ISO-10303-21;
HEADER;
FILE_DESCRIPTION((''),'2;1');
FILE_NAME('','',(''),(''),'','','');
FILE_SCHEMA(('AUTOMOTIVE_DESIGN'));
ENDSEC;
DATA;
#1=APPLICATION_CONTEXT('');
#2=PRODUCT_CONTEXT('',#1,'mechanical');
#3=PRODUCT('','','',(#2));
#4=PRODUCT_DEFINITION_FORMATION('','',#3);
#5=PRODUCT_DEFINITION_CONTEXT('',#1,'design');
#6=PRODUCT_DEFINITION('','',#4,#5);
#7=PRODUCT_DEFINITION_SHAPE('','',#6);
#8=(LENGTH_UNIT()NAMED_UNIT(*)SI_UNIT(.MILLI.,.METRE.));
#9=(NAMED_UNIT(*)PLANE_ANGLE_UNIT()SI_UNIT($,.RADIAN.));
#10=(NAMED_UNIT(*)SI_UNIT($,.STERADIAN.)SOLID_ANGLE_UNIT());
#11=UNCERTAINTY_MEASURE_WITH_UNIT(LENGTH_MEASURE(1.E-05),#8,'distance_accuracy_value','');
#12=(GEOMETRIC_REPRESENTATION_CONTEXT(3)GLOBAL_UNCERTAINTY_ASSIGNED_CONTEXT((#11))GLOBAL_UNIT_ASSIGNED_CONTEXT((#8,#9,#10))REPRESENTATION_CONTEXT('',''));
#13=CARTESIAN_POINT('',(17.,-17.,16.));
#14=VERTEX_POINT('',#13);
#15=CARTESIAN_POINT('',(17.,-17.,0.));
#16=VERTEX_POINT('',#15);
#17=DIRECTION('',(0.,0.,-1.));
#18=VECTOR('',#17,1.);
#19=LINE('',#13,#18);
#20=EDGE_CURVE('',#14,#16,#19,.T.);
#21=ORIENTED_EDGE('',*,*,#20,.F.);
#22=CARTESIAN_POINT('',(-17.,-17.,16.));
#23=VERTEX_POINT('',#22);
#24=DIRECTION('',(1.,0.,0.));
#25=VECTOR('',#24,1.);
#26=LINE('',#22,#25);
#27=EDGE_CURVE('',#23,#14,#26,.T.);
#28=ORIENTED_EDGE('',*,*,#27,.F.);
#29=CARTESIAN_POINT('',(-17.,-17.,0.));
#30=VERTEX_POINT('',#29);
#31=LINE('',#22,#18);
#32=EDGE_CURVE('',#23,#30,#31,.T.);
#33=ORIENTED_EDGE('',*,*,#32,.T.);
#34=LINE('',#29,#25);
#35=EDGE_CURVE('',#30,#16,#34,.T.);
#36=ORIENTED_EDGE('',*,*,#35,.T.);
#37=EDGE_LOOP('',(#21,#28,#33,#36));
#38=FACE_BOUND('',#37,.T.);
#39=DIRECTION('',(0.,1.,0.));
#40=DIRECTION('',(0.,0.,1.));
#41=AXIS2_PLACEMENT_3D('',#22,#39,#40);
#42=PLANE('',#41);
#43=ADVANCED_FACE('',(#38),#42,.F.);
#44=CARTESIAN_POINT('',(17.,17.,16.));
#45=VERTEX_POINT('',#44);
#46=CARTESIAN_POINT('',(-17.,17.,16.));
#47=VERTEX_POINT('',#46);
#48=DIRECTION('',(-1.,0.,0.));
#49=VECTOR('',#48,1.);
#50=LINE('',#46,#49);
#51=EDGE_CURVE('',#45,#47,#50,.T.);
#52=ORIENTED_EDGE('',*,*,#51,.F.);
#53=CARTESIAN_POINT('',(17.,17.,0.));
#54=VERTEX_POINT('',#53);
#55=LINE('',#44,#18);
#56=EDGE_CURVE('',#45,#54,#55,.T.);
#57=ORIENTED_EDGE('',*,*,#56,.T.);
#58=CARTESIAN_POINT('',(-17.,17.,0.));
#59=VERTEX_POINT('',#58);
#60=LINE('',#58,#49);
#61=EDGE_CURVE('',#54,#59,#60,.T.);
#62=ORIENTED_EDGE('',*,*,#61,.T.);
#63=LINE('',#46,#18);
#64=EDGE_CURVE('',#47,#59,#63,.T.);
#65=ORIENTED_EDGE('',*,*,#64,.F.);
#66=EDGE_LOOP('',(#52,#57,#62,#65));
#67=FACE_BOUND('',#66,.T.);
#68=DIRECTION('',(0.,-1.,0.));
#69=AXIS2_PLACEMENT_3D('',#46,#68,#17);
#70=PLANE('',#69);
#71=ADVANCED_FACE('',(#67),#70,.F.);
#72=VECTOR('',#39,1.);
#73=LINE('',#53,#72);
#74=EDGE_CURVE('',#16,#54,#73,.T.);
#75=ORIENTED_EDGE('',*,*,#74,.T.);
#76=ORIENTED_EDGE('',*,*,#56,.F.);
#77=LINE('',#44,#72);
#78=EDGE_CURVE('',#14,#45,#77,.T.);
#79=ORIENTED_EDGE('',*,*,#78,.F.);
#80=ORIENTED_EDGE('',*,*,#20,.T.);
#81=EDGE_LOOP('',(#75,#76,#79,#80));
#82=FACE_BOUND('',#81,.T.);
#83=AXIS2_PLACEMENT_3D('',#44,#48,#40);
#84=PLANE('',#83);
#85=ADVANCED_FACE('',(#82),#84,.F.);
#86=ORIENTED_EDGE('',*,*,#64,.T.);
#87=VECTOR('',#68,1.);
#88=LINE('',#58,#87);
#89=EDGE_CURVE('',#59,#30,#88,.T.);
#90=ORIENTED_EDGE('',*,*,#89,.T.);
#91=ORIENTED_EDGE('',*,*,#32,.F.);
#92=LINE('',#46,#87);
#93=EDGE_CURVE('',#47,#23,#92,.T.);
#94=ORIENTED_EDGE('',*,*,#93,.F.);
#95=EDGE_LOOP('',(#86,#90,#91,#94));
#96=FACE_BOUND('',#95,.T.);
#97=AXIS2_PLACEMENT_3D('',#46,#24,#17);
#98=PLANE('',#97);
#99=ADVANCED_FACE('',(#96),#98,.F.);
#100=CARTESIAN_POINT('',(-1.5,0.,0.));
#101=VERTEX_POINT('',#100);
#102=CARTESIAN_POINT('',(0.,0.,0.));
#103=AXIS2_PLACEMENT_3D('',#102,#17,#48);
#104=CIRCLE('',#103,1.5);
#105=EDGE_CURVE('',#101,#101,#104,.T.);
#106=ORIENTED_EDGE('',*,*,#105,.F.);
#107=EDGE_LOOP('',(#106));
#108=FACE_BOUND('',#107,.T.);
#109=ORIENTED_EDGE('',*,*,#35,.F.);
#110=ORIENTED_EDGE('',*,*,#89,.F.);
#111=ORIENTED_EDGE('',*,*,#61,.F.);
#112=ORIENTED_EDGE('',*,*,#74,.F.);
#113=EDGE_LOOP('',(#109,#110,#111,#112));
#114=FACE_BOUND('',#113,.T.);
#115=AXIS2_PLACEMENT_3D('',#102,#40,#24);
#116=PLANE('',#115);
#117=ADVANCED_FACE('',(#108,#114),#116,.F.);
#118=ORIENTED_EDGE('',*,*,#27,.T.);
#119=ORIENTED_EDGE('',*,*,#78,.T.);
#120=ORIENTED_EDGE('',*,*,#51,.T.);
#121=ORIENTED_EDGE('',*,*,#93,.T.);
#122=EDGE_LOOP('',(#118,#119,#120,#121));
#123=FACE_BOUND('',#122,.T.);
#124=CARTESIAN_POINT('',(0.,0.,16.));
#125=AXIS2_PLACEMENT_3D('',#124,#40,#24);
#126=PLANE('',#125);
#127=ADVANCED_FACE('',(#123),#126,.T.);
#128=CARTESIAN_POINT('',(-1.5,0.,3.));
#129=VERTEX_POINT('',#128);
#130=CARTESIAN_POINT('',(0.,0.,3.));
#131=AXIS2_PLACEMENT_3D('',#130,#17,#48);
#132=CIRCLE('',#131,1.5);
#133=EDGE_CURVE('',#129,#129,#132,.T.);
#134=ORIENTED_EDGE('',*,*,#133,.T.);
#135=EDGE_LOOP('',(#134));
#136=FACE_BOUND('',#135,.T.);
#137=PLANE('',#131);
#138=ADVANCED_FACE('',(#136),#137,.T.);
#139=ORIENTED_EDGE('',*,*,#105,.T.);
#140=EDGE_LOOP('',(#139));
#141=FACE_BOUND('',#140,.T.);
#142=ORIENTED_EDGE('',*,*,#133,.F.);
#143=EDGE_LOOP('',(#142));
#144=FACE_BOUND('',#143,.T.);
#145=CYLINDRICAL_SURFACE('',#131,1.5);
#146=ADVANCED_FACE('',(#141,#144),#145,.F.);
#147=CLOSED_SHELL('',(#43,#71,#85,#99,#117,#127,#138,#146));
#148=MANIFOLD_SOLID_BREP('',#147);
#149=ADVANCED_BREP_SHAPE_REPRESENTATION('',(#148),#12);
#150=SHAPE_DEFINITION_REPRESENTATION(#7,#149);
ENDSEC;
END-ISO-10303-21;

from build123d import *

# Parameters (mm, degrees)
SKETCH_1_W          = 34
SKETCH_1_H          = 34
EXTRUDE_1_DEPTH     = 16
SKETCH_3_R          = 1.5
CUT_EXTRUDE_1_DEPTH = 3


with BuildPart() as part:
    # 草图1 → 凸台-拉伸1 (new body)
    with BuildSketch(Plane.XY):
        Rectangle(SKETCH_1_W, SKETCH_1_H)
    extrude(amount=EXTRUDE_1_DEPTH)

    # 草图3 → 切除-拉伸1 (cut)
    with BuildSketch(Plane(origin=(0, 0, 0), x_dir=(-1, 0, 0), z_dir=(0, 0, -1))):
        Circle(SKETCH_3_R)
    extrude(amount=-CUT_EXTRUDE_1_DEPTH, mode=Mode.SUBTRACT)


solid = part.part
